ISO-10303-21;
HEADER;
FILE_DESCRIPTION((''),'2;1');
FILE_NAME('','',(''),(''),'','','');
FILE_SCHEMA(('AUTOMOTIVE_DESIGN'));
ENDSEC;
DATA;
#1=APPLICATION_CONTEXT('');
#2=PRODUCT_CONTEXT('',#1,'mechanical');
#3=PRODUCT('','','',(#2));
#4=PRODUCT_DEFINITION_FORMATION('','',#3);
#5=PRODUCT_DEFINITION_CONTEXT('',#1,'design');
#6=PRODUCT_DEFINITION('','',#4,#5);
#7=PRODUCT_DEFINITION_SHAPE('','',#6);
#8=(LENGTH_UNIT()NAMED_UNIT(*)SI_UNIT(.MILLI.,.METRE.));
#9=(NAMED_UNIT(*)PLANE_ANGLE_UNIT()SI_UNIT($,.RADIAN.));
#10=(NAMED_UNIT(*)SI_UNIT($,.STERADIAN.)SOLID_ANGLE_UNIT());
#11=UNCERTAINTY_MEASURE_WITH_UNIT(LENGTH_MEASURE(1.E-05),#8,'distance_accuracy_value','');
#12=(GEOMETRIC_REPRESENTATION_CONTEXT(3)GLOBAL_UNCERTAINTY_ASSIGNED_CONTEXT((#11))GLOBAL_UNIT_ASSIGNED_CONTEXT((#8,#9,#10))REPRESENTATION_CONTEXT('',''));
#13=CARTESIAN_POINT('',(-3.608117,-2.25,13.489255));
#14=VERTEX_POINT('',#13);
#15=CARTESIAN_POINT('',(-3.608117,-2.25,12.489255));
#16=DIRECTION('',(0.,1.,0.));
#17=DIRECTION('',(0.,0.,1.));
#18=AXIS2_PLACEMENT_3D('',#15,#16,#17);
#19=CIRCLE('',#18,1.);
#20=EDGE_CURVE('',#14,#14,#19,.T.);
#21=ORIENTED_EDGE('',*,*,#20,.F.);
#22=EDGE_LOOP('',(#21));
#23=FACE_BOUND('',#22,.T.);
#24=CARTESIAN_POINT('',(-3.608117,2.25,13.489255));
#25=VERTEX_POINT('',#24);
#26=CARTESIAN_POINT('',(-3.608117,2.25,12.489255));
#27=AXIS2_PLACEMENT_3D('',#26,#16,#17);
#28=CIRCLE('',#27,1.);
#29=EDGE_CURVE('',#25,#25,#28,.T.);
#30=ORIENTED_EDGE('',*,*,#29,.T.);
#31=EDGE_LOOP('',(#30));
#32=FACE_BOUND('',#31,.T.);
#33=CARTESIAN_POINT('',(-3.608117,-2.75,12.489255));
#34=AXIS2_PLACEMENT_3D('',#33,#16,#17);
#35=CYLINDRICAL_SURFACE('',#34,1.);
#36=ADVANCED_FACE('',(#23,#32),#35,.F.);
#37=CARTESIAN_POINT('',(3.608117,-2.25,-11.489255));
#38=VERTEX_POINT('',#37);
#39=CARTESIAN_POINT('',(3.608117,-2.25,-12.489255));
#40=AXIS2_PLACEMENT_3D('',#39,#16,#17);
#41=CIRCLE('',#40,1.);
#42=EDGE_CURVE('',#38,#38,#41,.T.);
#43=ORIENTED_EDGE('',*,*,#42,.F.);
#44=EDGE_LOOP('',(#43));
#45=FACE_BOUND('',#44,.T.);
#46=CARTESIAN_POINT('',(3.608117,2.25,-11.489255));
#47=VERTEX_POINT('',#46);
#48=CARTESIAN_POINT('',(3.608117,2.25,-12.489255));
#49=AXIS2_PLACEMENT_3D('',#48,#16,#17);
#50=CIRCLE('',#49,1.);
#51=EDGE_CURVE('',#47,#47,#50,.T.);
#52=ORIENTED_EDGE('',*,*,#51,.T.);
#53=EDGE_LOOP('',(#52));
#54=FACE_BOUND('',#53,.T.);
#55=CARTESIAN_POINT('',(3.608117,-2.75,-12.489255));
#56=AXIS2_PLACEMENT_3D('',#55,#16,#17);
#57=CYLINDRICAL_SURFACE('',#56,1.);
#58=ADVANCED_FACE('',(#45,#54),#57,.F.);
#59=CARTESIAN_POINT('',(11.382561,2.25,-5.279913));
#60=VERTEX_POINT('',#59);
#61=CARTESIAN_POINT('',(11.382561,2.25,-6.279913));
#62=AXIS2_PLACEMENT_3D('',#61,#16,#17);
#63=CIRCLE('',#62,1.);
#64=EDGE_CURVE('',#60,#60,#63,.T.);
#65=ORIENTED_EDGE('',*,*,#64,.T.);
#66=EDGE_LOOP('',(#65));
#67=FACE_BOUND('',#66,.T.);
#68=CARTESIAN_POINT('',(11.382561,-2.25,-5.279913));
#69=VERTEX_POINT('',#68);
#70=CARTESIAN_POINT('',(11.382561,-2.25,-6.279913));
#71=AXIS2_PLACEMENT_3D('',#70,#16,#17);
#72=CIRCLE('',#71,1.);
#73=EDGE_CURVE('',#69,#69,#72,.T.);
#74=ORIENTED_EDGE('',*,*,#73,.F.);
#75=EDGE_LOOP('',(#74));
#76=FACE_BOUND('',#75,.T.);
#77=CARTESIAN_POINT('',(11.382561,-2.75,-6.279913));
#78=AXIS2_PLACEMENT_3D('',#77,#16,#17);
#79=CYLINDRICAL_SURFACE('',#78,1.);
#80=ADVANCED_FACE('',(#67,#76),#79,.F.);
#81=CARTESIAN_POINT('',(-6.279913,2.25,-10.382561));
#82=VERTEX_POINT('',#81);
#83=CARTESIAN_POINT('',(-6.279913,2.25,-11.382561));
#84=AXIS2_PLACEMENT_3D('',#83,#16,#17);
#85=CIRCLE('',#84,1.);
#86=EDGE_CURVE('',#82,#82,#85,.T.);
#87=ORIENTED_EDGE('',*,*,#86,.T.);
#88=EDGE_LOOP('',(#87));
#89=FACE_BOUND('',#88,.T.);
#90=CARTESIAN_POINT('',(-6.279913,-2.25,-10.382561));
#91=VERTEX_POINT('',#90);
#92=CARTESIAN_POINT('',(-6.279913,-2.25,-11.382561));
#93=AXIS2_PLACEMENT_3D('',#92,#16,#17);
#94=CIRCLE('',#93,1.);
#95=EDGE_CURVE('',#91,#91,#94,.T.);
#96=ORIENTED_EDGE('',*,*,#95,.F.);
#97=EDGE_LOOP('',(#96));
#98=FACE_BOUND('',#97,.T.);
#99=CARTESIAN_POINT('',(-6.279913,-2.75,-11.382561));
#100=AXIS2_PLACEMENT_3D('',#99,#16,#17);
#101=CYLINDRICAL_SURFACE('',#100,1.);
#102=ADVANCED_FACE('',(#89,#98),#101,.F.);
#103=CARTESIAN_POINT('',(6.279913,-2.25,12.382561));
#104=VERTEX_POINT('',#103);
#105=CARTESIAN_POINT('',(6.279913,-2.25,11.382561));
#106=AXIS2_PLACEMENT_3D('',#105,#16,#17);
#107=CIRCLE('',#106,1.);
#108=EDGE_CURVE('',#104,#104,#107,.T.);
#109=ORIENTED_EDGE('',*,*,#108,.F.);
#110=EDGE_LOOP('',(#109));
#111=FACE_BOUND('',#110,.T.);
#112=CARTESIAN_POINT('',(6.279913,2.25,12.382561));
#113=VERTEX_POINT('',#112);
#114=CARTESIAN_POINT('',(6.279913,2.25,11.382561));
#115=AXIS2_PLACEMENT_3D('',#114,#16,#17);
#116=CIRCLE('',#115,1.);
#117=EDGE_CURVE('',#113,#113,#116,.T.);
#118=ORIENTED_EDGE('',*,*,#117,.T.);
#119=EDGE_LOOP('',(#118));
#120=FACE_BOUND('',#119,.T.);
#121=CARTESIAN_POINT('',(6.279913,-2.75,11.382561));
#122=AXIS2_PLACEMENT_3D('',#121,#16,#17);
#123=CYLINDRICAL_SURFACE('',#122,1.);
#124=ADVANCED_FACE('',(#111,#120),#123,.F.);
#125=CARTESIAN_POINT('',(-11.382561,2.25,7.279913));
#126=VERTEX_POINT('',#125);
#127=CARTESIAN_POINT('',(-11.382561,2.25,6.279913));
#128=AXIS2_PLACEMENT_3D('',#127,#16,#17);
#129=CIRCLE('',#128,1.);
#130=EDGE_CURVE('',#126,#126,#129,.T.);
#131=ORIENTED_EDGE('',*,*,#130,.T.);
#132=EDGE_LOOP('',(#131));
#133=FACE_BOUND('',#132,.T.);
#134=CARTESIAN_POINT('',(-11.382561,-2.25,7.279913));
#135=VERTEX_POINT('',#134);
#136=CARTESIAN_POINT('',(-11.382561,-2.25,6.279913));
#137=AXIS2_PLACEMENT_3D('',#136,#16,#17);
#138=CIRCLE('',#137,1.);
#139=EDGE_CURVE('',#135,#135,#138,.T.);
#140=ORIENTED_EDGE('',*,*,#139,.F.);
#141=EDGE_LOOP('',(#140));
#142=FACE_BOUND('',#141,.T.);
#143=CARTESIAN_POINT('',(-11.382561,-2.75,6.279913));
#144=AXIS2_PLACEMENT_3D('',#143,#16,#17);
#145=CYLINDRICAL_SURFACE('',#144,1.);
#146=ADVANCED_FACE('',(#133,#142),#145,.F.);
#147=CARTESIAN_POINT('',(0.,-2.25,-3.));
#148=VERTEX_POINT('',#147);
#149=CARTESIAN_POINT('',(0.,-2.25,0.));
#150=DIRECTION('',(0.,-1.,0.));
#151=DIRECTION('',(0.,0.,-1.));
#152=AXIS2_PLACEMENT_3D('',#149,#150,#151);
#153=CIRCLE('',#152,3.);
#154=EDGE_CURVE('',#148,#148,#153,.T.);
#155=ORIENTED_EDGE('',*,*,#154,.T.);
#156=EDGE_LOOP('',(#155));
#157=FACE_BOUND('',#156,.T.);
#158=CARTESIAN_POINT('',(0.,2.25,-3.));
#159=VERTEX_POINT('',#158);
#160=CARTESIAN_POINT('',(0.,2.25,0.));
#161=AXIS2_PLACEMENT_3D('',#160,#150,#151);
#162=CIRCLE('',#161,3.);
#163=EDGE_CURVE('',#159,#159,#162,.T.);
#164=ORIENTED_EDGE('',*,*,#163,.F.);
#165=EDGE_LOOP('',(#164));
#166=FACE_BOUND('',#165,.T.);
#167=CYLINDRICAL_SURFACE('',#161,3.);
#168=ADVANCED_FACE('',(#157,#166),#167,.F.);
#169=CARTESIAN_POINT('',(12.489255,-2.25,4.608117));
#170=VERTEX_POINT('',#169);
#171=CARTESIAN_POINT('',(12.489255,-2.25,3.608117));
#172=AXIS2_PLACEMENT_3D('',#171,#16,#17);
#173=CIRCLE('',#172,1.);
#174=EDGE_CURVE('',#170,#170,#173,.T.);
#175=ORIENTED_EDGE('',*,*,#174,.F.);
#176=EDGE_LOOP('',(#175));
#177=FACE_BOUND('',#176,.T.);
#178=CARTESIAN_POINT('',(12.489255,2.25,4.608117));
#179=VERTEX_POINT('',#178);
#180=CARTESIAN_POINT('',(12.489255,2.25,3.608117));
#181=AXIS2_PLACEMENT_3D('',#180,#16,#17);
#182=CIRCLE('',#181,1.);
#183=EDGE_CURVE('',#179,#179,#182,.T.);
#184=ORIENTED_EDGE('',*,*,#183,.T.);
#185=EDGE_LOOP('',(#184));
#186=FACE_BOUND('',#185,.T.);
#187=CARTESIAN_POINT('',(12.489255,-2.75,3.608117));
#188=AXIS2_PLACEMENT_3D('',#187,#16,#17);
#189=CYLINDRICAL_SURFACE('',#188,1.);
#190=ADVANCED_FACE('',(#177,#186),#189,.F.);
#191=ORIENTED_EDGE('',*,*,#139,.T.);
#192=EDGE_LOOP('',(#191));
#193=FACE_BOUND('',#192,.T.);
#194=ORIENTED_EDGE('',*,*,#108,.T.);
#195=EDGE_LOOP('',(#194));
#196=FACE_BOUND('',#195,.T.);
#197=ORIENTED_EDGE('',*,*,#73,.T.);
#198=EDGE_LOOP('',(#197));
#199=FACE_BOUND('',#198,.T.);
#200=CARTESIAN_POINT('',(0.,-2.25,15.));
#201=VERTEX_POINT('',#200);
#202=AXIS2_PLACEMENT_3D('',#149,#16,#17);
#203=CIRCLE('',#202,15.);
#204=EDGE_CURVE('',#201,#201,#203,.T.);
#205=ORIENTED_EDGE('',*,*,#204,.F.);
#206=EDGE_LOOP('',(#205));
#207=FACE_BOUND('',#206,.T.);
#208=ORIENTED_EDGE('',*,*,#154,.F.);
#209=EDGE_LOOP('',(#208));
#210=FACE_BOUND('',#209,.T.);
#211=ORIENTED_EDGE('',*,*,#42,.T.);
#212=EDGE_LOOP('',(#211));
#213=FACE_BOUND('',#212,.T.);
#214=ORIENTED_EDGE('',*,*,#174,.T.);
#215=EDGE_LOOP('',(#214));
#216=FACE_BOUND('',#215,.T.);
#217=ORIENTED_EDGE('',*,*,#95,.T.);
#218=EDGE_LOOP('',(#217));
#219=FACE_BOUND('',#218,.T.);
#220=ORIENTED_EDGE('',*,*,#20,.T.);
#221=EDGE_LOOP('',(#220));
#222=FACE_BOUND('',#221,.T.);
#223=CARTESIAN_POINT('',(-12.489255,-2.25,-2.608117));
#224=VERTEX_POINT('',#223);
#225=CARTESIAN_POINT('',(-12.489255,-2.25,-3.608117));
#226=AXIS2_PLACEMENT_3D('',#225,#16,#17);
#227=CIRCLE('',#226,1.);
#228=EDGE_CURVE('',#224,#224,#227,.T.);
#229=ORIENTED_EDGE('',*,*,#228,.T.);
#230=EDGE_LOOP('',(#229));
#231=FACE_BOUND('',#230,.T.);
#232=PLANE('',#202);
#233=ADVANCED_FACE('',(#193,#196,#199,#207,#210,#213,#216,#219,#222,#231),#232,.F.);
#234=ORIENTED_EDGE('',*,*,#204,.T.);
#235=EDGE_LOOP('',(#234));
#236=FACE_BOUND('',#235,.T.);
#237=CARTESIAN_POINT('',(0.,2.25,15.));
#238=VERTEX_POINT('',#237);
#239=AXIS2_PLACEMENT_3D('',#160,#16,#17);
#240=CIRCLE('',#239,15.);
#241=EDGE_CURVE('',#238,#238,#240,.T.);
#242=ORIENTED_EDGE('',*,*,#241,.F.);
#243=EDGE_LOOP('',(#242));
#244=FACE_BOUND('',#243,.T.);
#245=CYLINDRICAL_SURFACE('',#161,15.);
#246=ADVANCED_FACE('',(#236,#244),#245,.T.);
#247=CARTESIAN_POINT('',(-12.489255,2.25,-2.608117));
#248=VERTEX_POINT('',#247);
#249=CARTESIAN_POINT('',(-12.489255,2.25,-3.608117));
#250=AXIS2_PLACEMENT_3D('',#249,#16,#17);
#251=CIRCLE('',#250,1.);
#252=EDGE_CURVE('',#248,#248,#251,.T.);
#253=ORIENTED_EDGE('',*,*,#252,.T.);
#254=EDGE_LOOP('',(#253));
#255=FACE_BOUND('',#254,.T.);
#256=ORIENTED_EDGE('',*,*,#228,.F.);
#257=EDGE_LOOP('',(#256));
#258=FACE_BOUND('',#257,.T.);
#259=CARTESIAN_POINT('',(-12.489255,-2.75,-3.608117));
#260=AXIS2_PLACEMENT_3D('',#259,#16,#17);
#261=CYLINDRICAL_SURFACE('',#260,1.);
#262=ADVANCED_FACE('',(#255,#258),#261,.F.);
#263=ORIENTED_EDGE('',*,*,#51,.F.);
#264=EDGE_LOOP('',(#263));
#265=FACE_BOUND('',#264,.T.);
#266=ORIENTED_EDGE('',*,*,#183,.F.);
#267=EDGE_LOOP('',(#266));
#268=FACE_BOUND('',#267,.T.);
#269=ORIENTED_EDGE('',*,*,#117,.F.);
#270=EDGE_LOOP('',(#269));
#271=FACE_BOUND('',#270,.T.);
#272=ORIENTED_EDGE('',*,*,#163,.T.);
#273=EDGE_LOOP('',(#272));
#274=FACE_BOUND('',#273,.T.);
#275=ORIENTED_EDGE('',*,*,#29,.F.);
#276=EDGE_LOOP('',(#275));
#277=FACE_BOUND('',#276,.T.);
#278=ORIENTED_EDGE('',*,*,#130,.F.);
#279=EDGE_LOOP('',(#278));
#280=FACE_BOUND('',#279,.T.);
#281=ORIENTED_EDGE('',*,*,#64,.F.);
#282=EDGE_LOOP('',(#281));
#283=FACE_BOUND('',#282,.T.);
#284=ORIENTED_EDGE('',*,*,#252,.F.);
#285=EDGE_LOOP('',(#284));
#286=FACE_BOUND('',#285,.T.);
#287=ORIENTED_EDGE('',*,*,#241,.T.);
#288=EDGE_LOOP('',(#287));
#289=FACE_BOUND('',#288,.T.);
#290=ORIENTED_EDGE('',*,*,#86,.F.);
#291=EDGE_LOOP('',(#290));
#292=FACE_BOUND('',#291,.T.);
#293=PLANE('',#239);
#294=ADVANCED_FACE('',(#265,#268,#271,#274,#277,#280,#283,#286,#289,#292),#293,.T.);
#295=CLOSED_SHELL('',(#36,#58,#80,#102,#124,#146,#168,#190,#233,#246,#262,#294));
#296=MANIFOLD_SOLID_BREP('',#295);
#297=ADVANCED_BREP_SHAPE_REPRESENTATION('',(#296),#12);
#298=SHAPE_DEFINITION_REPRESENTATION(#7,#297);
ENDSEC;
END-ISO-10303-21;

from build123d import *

# Parameters (mm, degrees)
SKETCH_1_R          = 15
EXTRUDE_1_DEPTH     = 2.25
SKETCH_3_R          = 1
CUT_EXTRUDE_1_DEPTH = 5
SKETCH_4_R          = 3
CUT_EXTRUDE_2_DEPTH = 4.5


with BuildPart() as part:
    # ｽｹｯﾁ1 → ﾎﾞｽ - 押し出し1 (new, symmetric)
    with BuildSketch(Plane(origin=(0, 0, 0), x_dir=(1, 0, 0), z_dir=(0, 1, 0))):
        with Locations(Location((0, 0, 0), (0, 0, 270))):
            Circle(SKETCH_1_R)
    extrude(amount=EXTRUDE_1_DEPTH, both=True)

    # ｽｹｯﾁ3 → ｶｯﾄ - 押し出し1 (cut)
    with BuildSketch(Plane(origin=(0, 2.25, 0), x_dir=(1, 0, 0), z_dir=(0, 1, 0))):
        with Locations(Location((-11.382561056, -6.279912723, 0), (0, 0, 270))):
            Circle(SKETCH_3_R)
        with Locations(Location((-12.489254982, 3.608117238, 0), (0, 0, 270))):
            Circle(SKETCH_3_R)
        with Locations(Location((-6.279912723, 11.382561056, 0), (0, 0, 270))):
            Circle(SKETCH_3_R)
        with Locations(Location((3.608117238, 12.489254982, 0), (0, 0, 270))):
            Circle(SKETCH_3_R)
        with Locations(Location((11.382561056, 6.279912723, 0), (0, 0, 270))):
            Circle(SKETCH_3_R)
        with Locations(Location((12.489254982, -3.608117238, 0), (0, 0, 270))):
            Circle(SKETCH_3_R)
        with Locations(Location((6.279912723, -11.382561056, 0), (0, 0, 270))):
            Circle(SKETCH_3_R)
        with Locations(Location((-3.608117238, -12.489254982, 0), (0, 0, 270))):
            Circle(SKETCH_3_R)
    extrude(amount=-CUT_EXTRUDE_1_DEPTH, mode=Mode.SUBTRACT)

    # ｽｹｯﾁ4 → ｶｯﾄ - 押し出し2 (cut)
    with BuildSketch(Plane.XZ.offset(2.25)):
        with Locations(Location((0, 0, 0), (0, 0, 270))):
            Circle(SKETCH_4_R)
    extrude(amount=-CUT_EXTRUDE_2_DEPTH, mode=Mode.SUBTRACT)


solid = part.part
